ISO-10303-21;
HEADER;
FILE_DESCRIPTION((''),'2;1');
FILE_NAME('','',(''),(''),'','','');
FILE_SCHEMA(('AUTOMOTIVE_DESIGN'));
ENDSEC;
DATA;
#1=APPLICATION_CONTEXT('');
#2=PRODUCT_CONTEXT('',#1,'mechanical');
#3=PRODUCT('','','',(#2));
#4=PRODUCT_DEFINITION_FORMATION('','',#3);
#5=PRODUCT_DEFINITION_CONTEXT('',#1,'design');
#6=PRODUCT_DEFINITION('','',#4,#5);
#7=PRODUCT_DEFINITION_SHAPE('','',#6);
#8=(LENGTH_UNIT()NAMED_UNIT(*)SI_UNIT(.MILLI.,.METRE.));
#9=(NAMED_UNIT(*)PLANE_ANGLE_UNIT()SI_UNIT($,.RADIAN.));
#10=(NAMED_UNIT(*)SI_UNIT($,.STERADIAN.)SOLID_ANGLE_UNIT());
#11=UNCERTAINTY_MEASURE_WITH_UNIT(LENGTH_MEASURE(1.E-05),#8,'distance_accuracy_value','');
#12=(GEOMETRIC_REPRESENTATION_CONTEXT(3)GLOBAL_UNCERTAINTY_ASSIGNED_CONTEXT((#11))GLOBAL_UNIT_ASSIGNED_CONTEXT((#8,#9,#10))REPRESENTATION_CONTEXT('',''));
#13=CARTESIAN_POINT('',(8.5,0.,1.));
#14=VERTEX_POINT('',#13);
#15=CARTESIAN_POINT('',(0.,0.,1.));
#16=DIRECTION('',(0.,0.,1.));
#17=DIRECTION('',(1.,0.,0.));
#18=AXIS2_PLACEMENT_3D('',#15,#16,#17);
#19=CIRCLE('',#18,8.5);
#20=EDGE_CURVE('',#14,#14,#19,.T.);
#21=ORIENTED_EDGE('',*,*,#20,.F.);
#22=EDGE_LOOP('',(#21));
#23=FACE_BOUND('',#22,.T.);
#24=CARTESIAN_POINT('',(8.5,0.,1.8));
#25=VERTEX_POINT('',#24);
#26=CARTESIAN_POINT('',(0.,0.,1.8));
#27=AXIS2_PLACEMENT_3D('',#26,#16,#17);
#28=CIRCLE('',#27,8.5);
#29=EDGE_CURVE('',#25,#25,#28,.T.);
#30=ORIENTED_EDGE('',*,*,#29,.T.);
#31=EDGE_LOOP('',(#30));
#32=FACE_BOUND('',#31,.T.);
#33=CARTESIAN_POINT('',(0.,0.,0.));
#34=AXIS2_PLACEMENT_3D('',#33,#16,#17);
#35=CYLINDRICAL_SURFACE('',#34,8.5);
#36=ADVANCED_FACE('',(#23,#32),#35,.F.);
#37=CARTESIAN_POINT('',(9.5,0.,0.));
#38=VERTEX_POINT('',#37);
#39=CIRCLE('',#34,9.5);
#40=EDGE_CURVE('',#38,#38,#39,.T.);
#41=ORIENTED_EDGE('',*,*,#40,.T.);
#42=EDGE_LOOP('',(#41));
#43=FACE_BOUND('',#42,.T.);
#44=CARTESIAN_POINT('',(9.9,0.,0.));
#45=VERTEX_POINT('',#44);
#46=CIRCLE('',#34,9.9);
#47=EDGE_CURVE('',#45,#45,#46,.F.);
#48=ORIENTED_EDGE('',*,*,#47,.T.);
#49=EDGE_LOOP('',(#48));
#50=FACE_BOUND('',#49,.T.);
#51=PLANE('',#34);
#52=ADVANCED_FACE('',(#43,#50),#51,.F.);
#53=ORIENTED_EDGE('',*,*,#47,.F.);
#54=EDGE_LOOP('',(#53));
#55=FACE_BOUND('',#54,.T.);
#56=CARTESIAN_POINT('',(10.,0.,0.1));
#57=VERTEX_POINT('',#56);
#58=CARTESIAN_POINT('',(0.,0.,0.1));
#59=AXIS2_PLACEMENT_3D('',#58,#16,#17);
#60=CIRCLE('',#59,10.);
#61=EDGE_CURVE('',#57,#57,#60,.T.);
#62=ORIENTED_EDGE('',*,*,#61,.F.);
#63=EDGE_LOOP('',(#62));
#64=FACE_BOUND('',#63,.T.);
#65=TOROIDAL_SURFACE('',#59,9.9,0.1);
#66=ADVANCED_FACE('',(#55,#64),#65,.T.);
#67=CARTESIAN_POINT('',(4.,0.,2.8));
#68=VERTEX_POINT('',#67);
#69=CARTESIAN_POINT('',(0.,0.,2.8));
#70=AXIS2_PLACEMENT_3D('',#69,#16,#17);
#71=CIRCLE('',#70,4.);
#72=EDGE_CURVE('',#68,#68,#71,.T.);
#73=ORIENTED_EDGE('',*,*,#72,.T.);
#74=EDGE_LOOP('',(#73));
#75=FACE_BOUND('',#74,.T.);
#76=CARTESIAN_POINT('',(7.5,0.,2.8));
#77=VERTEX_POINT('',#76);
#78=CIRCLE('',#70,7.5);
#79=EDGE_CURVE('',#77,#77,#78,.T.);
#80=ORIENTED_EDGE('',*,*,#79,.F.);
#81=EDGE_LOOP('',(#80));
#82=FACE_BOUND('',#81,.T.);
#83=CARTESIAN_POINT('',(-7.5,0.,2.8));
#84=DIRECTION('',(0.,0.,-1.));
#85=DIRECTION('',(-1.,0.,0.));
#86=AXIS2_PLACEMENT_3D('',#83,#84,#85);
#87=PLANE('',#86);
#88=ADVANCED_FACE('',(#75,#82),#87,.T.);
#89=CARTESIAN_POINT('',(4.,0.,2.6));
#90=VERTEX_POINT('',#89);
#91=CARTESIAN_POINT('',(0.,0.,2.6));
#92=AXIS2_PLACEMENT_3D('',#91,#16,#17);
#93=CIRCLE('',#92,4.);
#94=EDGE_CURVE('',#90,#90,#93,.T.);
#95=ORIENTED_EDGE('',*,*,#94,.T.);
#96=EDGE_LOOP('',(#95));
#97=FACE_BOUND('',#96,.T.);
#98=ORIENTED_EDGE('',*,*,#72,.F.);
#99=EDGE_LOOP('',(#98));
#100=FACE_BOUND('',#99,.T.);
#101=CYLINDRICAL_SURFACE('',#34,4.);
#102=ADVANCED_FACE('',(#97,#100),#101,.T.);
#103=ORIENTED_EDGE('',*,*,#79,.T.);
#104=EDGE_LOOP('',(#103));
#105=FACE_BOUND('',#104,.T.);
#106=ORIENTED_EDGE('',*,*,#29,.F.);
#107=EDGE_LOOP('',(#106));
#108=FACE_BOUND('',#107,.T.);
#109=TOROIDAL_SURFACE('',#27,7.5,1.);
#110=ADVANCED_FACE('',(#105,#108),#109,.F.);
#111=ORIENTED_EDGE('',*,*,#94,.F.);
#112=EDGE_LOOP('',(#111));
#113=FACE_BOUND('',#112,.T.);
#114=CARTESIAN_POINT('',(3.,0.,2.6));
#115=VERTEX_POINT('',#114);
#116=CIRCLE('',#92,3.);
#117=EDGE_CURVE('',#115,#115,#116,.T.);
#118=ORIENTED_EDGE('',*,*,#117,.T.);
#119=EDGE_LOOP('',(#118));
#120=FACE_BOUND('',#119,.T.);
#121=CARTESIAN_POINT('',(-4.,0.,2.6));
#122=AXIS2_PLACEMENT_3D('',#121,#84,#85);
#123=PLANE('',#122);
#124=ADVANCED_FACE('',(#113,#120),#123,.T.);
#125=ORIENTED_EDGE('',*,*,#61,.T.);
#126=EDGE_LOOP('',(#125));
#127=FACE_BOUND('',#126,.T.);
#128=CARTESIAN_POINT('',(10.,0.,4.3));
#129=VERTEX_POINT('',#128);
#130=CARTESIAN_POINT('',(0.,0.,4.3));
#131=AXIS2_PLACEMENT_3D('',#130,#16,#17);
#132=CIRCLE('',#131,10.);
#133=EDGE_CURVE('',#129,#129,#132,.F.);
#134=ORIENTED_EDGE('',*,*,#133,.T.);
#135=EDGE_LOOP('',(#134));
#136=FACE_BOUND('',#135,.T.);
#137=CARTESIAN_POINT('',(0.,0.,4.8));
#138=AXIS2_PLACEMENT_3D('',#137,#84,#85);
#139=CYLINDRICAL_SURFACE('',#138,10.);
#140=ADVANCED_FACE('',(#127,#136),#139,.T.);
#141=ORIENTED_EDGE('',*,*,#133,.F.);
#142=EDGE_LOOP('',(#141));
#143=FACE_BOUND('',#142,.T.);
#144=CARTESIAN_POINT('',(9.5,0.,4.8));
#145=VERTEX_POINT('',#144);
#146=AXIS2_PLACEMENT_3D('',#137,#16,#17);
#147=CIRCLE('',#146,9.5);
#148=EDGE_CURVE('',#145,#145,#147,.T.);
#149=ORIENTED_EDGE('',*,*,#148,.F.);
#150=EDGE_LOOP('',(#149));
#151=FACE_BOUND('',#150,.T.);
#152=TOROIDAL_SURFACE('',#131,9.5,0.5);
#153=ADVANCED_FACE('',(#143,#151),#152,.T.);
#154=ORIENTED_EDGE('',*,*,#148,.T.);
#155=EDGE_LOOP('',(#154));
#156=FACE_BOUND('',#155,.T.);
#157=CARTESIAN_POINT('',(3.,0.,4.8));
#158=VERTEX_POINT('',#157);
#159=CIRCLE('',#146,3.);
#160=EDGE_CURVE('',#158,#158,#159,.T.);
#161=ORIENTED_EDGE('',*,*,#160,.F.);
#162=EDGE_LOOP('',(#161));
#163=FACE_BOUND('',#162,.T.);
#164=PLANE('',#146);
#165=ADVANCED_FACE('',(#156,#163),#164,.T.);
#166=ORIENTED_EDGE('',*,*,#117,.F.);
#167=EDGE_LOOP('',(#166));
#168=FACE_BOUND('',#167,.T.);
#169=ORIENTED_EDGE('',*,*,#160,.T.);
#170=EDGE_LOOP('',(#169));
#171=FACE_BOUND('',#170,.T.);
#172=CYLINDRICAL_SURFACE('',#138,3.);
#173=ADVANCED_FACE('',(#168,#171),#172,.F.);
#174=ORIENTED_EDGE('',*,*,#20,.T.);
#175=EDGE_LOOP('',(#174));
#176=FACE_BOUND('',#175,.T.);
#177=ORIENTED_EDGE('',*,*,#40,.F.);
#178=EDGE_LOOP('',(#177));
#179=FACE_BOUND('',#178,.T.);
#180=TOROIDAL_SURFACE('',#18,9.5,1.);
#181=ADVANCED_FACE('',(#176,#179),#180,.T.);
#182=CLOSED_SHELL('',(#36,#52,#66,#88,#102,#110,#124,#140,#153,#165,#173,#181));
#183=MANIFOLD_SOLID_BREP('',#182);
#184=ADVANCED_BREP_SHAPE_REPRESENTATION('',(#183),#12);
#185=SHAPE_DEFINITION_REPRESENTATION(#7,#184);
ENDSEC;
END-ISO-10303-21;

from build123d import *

# Parameters (mm, degrees)
SKETCH1_R           = 10
SKETCH1_R_2         = 3
BOSS_EXTRUDE1_DEPTH = 4.8
FILLET1_R           = 0.5
FILLET2_R           = 0.1


with BuildPart() as part:
    # Sketch1 → Boss-Extrude1 (new body)
    with BuildSketch(Plane.XY):
        Circle(SKETCH1_R)
        Circle(SKETCH1_R_2, mode=Mode.SUBTRACT)
    extrude(amount=BOSS_EXTRUDE1_DEPTH)

    # Sketch2 → Cut-Revolve1 (revolve, cut)
    with BuildSketch(Plane(origin=(0, 0, 0), x_dir=(1, 0, 0), z_dir=(0, 1, 0)), mode=Mode.PRIVATE) as cut_revolve1_sk:
        with BuildLine():
            Line((-8.5, -1), (-8.5, -1.8))
            ThreePointArc((-8.5, -1.8), (-8.207106781, -2.507106781), (-7.5, -2.8))
            Line((-7.5, -2.8), (-4, -2.8))
            Line((-4, -2.8), (-4, -2.6))
            Line((-4, -2.6), (-3, -2.6))
            Line((-3, -2.6), (-3, 0))
            Line((-3, 0), (-8.5, 0))
            Line((-8.5, 0), (-9.5, 0))
            ThreePointArc((-9.5, 0), (-8.792893219, -0.292893219), (-8.5, -1))
        make_face()
    revolve(cut_revolve1_sk.sketch.rotate(Axis((0, 0, 0), (0, 0, -1)), 180), axis=Axis((0, 0, 0), (0, 0, -1)), mode=Mode.SUBTRACT)

    # Fillet1
    fillet1_edges = [part.edges().sort_by_distance(p)[0] for p in [
        (-10, 0, 4.8),
    ]]
    fillet(fillet1_edges, radius=FILLET1_R)

    # Fillet2
    fillet2_edges = [part.edges().sort_by_distance(p)[0] for p in [
        (-10, 0, 0),
    ]]
    fillet(fillet2_edges, radius=FILLET2_R)


solid = part.part
